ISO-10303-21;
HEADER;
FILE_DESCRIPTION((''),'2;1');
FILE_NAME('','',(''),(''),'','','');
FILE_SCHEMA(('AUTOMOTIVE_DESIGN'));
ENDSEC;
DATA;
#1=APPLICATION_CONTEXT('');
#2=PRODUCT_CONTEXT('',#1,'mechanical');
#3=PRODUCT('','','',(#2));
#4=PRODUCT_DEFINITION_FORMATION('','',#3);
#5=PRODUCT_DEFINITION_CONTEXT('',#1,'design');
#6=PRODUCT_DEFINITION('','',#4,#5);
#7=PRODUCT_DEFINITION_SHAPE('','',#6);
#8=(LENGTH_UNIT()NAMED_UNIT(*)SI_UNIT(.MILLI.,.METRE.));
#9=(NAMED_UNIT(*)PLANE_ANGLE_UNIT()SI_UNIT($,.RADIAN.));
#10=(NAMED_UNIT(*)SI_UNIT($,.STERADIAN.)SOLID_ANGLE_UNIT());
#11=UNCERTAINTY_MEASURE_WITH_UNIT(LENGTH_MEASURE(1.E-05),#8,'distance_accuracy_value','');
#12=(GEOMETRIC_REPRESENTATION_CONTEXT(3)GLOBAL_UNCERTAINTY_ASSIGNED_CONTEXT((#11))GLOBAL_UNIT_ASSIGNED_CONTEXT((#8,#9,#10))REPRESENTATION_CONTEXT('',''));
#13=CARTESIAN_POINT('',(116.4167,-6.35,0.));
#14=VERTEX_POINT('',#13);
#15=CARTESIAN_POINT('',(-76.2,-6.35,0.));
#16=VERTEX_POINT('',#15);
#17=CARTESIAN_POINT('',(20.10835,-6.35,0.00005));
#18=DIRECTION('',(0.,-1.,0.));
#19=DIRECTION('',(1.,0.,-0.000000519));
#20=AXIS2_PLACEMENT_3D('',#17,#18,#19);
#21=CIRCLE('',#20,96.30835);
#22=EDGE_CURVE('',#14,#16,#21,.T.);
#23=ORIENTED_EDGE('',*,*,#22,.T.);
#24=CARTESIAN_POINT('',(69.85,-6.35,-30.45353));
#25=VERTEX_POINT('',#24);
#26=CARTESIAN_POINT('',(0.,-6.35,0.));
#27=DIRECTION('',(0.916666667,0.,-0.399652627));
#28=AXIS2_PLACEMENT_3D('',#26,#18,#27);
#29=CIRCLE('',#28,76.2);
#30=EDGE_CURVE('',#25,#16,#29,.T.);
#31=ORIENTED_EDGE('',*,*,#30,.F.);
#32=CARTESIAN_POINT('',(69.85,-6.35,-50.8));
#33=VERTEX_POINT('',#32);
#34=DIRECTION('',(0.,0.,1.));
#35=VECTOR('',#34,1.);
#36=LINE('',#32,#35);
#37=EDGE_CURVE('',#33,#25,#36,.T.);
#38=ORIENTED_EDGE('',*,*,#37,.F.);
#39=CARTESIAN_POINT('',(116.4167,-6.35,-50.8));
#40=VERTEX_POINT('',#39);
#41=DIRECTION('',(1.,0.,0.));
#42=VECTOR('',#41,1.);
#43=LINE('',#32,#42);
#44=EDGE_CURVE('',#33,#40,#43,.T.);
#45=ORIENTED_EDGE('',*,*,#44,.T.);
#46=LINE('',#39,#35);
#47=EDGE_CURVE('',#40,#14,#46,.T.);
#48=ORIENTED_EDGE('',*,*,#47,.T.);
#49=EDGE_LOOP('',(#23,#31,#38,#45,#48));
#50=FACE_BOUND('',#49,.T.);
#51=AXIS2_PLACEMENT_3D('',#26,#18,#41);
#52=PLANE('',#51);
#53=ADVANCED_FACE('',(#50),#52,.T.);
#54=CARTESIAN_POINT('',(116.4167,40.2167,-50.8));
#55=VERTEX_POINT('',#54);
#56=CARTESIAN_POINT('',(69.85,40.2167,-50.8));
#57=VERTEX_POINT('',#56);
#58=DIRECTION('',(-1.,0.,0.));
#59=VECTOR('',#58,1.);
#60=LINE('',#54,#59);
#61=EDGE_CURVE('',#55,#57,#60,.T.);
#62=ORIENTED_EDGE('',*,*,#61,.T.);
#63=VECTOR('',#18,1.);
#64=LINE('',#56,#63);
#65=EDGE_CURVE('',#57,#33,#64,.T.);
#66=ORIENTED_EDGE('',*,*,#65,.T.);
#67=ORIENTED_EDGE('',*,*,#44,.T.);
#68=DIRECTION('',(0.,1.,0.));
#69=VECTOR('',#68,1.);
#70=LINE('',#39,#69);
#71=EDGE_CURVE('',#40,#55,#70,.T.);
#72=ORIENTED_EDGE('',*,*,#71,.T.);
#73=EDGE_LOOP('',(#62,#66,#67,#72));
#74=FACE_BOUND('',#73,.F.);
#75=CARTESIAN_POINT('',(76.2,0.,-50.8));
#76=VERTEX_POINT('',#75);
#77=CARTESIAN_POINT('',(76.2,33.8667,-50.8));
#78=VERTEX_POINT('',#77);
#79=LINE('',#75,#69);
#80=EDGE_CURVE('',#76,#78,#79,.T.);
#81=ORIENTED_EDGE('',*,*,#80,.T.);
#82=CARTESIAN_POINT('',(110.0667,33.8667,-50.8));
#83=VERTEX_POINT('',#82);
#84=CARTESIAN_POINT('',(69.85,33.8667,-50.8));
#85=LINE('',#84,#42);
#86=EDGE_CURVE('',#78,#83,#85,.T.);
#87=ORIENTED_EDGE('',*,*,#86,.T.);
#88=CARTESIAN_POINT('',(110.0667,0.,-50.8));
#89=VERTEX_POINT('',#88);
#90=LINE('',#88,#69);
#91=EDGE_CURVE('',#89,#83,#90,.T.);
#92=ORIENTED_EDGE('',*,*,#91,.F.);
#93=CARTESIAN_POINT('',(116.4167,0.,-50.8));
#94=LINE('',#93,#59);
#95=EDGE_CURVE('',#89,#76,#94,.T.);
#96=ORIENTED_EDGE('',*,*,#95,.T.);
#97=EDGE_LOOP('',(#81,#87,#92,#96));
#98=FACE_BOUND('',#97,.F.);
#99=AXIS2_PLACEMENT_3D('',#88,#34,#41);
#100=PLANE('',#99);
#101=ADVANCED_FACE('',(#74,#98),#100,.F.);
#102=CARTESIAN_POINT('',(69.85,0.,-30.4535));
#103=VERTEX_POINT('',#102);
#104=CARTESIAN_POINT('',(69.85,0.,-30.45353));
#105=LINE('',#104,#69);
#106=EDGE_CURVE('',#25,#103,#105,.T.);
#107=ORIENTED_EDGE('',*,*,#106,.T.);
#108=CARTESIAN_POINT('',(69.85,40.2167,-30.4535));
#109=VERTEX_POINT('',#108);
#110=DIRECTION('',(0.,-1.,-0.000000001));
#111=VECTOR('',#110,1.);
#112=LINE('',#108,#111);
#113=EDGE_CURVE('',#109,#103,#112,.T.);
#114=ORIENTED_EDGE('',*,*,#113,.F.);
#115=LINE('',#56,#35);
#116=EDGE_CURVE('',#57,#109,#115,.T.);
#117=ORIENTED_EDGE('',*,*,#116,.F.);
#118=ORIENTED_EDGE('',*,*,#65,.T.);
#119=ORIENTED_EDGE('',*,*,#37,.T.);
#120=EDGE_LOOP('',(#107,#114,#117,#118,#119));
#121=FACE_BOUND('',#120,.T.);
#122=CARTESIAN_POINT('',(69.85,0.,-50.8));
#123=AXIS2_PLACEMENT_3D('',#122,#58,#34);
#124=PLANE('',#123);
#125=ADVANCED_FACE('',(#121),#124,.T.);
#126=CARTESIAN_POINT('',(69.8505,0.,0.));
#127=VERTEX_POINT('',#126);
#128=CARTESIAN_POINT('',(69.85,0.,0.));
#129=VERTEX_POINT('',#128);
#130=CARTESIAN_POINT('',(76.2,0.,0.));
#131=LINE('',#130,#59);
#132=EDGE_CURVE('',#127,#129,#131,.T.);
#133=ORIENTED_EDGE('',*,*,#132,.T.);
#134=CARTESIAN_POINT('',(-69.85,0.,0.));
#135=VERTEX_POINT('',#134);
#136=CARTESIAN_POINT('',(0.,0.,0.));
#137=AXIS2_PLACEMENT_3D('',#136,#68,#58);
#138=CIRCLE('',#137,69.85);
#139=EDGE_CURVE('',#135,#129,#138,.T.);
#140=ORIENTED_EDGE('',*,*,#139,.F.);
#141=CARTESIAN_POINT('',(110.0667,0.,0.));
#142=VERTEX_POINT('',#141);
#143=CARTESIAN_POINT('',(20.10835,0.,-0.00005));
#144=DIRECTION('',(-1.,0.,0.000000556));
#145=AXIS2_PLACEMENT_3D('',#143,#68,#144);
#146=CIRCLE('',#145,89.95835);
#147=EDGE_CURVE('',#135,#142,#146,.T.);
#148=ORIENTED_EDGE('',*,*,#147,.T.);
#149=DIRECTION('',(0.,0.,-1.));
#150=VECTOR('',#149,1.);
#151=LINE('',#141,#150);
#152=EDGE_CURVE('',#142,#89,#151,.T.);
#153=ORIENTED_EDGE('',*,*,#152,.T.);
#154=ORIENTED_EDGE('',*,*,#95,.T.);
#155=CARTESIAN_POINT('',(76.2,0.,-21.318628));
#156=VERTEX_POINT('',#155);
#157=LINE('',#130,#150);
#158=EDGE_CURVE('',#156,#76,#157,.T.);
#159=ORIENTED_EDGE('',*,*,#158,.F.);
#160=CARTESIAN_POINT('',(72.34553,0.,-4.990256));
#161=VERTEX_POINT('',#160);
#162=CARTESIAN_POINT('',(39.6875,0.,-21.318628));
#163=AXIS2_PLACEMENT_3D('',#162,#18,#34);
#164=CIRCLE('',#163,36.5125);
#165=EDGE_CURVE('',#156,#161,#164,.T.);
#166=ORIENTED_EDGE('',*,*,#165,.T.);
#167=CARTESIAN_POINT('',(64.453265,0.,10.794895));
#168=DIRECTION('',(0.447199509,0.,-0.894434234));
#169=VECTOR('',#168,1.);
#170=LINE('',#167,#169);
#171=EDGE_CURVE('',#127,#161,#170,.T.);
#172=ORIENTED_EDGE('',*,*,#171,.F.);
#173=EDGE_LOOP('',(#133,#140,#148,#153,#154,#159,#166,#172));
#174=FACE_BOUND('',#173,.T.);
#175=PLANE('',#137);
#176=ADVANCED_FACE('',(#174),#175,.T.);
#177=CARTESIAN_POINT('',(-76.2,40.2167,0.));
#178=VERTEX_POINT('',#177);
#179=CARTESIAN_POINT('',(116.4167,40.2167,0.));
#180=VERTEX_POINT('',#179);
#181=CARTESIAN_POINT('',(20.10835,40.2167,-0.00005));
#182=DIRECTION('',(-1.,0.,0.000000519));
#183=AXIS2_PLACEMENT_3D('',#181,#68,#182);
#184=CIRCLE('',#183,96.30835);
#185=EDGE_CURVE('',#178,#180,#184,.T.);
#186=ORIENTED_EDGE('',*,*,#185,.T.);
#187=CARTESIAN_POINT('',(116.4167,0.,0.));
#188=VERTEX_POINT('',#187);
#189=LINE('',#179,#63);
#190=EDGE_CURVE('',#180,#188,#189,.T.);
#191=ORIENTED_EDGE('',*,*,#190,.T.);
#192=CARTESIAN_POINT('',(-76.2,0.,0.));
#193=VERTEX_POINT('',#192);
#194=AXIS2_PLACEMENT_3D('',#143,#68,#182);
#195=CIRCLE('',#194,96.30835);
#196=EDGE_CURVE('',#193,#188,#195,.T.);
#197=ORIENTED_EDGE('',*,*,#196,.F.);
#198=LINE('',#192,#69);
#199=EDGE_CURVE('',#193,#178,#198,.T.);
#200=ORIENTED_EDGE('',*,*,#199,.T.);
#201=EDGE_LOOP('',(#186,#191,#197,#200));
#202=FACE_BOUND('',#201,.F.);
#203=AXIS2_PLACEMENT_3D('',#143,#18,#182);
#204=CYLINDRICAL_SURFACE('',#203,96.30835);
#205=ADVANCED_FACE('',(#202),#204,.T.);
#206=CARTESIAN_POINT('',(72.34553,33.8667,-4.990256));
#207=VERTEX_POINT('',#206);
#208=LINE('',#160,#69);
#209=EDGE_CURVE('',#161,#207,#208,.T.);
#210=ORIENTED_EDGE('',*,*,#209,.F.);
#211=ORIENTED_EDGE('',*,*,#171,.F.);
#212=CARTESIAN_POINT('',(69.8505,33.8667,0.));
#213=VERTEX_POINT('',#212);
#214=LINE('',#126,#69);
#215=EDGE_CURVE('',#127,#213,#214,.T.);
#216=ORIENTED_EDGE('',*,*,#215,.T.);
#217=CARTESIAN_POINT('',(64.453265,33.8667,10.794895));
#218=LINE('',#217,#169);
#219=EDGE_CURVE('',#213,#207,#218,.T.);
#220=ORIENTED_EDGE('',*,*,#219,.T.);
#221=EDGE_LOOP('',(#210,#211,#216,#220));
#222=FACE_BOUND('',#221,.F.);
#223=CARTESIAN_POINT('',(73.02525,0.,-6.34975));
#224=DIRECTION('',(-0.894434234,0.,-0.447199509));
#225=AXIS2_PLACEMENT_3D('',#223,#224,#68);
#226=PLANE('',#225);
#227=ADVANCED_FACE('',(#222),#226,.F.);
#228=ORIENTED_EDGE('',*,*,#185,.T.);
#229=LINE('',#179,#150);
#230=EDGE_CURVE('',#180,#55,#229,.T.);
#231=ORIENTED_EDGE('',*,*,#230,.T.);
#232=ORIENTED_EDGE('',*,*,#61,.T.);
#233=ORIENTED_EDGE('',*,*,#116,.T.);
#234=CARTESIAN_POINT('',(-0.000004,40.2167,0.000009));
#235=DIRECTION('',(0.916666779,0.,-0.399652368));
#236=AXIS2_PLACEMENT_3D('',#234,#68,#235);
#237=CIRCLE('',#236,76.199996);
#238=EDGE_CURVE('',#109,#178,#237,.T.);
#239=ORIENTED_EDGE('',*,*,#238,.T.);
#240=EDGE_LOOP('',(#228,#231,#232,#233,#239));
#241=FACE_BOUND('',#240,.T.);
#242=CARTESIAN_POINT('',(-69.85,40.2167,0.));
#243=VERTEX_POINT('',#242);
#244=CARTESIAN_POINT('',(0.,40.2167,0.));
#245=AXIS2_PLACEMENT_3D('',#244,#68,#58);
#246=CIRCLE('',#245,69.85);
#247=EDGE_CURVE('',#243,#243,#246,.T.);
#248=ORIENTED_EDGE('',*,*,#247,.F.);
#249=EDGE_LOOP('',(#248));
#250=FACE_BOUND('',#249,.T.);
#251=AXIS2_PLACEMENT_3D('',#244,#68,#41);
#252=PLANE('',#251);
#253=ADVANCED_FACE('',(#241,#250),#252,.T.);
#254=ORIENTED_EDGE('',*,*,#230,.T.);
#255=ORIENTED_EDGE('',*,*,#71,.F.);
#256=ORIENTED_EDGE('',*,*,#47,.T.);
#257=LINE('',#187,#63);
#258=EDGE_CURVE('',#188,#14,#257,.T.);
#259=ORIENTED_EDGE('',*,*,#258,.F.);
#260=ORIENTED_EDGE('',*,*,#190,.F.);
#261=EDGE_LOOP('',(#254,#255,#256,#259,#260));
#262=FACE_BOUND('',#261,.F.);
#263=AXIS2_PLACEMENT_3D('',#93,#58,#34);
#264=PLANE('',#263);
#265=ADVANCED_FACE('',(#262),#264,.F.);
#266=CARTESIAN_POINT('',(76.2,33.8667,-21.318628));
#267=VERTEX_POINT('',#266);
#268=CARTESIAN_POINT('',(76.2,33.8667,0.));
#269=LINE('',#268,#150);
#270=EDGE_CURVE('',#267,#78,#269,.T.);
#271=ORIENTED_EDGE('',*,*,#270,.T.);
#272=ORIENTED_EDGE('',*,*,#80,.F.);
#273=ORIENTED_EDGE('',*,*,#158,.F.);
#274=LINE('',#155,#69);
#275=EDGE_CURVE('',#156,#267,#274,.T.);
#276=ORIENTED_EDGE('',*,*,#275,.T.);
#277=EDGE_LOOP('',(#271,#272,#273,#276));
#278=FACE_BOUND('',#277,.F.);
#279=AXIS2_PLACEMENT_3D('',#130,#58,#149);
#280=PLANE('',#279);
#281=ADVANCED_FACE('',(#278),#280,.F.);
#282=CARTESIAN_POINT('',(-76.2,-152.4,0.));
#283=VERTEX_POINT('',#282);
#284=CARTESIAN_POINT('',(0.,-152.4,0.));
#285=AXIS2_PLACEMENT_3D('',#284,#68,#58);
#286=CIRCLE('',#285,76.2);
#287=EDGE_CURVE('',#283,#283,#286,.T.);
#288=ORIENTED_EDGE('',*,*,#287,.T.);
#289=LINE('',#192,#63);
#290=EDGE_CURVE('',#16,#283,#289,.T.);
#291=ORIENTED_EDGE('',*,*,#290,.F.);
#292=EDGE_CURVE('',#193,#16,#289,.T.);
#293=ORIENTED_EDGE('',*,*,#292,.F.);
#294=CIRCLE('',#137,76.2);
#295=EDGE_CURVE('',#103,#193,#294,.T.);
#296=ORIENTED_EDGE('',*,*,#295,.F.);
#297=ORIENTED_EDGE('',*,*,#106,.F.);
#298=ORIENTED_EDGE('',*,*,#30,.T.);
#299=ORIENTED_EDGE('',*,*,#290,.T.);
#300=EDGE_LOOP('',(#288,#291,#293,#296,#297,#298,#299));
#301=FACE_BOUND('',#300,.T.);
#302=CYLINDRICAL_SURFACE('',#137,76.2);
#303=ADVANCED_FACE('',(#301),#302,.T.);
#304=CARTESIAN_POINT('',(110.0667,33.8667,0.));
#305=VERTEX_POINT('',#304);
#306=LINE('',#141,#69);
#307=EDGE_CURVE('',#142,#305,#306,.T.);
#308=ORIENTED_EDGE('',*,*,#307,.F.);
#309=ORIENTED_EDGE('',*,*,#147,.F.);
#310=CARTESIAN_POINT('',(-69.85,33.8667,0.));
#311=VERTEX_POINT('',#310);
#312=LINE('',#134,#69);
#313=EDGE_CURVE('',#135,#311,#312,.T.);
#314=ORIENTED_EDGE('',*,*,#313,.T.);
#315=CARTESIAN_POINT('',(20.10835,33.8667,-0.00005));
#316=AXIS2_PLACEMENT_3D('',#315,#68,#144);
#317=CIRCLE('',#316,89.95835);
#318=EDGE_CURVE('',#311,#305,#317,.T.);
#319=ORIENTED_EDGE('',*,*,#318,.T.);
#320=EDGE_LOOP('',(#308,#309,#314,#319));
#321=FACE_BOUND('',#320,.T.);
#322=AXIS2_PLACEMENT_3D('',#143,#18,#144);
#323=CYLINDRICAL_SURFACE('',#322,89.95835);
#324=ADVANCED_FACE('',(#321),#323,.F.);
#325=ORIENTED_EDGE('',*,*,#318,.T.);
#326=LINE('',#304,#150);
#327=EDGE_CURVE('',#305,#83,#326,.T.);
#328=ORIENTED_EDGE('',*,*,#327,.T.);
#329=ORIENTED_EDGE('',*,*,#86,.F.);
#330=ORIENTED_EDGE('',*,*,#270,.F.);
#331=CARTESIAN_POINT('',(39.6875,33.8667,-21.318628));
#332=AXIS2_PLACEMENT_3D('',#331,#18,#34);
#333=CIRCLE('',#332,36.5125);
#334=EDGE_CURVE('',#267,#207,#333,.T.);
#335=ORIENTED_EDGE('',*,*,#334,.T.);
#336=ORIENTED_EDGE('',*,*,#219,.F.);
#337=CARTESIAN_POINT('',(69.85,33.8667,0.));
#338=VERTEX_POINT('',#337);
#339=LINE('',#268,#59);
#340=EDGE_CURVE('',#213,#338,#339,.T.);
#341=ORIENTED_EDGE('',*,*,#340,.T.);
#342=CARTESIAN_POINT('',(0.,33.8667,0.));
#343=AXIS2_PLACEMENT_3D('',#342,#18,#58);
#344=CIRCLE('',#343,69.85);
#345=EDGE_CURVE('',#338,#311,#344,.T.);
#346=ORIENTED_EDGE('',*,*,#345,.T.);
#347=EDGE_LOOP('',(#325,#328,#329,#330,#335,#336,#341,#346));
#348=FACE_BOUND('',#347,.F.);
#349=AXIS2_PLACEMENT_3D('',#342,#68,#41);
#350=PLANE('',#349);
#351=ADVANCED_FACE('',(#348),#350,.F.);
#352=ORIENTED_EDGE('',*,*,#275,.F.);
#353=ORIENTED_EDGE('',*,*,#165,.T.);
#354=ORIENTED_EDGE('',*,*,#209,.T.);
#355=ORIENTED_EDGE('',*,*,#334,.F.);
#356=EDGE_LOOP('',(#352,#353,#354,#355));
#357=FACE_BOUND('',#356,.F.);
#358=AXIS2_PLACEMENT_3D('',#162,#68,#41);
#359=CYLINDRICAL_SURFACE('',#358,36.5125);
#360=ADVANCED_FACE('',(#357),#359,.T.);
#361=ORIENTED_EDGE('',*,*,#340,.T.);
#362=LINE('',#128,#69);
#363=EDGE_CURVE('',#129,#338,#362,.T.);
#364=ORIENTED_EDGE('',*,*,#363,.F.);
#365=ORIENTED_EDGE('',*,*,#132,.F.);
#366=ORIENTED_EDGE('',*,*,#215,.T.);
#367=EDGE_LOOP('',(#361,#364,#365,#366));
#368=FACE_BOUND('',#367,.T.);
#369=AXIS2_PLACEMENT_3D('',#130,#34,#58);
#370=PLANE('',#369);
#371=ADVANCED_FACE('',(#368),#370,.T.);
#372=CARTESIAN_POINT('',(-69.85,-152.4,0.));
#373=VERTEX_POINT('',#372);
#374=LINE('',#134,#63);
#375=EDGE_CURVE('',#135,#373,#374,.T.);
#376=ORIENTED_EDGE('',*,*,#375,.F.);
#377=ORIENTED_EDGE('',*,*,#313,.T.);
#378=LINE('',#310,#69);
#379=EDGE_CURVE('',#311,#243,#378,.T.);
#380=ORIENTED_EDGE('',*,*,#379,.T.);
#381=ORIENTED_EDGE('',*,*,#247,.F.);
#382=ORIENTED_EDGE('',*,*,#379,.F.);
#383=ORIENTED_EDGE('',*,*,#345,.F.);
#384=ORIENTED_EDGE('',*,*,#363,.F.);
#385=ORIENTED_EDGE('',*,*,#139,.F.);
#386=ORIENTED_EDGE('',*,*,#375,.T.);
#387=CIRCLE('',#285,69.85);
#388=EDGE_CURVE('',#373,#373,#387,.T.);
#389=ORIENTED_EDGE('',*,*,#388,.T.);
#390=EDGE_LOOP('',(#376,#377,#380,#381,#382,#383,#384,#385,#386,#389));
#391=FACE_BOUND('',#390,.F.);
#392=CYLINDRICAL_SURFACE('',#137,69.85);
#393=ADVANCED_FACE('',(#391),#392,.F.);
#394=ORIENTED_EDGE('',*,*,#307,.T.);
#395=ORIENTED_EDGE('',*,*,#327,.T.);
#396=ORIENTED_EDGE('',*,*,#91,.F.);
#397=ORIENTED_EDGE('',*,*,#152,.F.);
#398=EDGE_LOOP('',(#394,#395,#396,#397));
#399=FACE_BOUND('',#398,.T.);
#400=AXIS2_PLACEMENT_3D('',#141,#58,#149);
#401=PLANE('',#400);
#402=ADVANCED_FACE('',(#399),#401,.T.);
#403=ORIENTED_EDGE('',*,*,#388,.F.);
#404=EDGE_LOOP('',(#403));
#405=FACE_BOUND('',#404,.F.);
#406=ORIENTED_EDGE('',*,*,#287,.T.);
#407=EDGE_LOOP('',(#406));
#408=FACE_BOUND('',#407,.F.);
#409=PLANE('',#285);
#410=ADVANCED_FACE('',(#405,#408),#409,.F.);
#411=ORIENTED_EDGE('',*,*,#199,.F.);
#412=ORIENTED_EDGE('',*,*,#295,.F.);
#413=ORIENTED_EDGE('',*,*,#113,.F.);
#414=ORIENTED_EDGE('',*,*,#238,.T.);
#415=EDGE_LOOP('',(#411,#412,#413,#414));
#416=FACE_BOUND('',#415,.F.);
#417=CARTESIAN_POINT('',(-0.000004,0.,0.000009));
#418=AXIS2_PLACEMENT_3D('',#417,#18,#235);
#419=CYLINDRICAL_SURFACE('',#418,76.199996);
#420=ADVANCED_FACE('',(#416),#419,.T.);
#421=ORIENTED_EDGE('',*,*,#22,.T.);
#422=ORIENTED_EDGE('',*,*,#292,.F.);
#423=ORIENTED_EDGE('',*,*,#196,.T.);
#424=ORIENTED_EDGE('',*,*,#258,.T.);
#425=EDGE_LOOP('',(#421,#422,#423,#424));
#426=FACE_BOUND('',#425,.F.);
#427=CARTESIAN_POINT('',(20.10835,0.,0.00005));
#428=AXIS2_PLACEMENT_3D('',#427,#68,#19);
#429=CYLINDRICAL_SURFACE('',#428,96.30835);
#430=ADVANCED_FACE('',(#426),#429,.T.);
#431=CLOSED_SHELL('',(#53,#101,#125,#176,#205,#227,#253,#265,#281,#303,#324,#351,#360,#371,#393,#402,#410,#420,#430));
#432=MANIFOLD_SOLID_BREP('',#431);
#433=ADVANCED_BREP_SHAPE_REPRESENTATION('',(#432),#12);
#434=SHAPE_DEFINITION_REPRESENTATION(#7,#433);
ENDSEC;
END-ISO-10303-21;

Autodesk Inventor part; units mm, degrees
ref_plane "YZ Plane" through (0, 0, 0) normal (1, 0, 0) x (0, 1, 0)
ref_plane "XZ Plane" through (0, 0, 0) normal (0, 1, 0) x (-1, 0, 0)
ref_plane "XY Plane" through (0, 0, 0) normal (0, 0, 1) x (1, 0, 0)
sketch "Sketch1" plane through (0, 0, 0) normal (0, 1, 0) x (-1, 0, 0)
  circle A0 centre (0, 0) radius 76.2
  circle A1 centre (0, 0) radius 69.85
  dimension "d1" = 152.4
  dimension "d6" = 6.35
extrude "Extrusion1" add sketch "Sketch1" against normal blind 152.4
sketch "Sketch18" plane through (0, 0, 0) normal (0, 1, 0) x (1, 0, 0)
  circle A0 centre (0, 0) radius 69.85 construction
  circle A1 centre (0, 0) radius 76.2 construction
  line L0 (110.0667, 0) -> (110.0667, 50.8)
  line L1 (110.0667, 50.8) -> (116.4167, 50.8)
  line L2 (116.4167, 50.8) -> (116.4167, 0)
  arc A2 (-76.2, 0) -> (116.4167, 0) centre (20.1083, 0) ccw
  arc A3 (-69.85, 0) -> (110.0667, 0) centre (20.1083, 0) ccw
  circle A4 centre (0, 0) radius 76.2 construction
  circle A5 centre (0, 0) radius 69.85 construction
  arc A6 (69.85, 30.4535) -> (-76.2, 0) centre (0, 0) ccw
  arc A7 (69.85, 0) -> (-69.85, 0) centre (0, 0) ccw
  line L3 (76.2, 0) -> (76.2, 50.8)
  line L4 (76.2, 50.8) -> (69.85, 50.8)
  line L5 (69.85, 50.8) -> (69.85, 30.4535)
  line L6 (69.85, 0) -> (0, 0) construction
  line L7 (76.2, 0) -> (69.85, 0)
  dimension "d79" = 6.35
  dimension "d80" = 50.8
  dimension "d86" = 33.8667
  dimension "d88" = 6.35
extrude "Extrusion14" add sketch "Sketch18" along normal blind 33.8667
sketch "Sketch19" plane through (0, 0, 0) normal (0, -1, 0) x (1, 0, 0)
  arc A0 (-46.7895, 60.143) -> (-76.2, 0) centre (0, 0) ccw projected
  arc A1 (110.0667, 0) -> (-46.7895, 60.143) centre (20.1083, 0) ccw projected
  line L0 (110.0667, 0) -> (110.0667, -50.8) projected
  line L1 (110.0667, -50.8) -> (116.4167, -50.8) projected
  line L2 (116.4167, -50.8) -> (116.4167, 0) projected
  arc A2 (116.4167, 0) -> (-76.2, 0) centre (20.1083, 0) ccw projected
  line L3 (69.85, -50.8) -> (69.85, -30.4535) projected
  arc A3 (69.85, -30.4535) -> (76.2, 0) centre (0, 0) ccw projected
  line L4 (69.85, -30.4535) -> (69.85, -50.8) projected
  line L5 (69.85, -50.8) -> (76.2, -50.8) projected
  line L6 (76.2, -50.8) -> (76.2, 0) projected
  line L7 (110.0667, -50.8) -> (76.2, -50.8)
  arc A4 (76.2, 0) -> (-46.7895, 60.143) centre (0, 0) ccw projected
extrude "Extrusion15" add sketch "Sketch19" along normal blind 6.35
sketch "Sketch21" plane through (0, 33.8667, 0) normal (0, 1, 0) x (1, 0, 0)
  arc A0 (-69.85, 0) -> (110.0667, 0) centre (20.1083, 0) ccw projected
  arc A1 (69.85, 0) -> (-69.85, 0) centre (0, 0) ccw projected
  line L0 (69.85, 0) -> (76.2, 0) projected
  line L1 (76.2, 0) -> (76.2, 50.8) projected
  line L2 (76.2, 50.8) -> (69.85, 50.8) projected
  line L3 (69.85, 50.8) -> (69.85, 30.4535) projected
  arc A2 (69.85, 30.4535) -> (-76.2, 0) centre (0, 0) ccw projected
  arc A3 (-76.2, 0) -> (116.4167, 0) centre (20.1083, 0) ccw projected
  line L4 (116.4167, 0) -> (116.4167, 50.8) projected
  line L5 (116.4167, 50.8) -> (110.0667, 50.8) projected
  line L6 (110.0667, 50.8) -> (110.0667, 0) projected
  arc A4 (-69.85, 0) -> (69.85, 0) centre (0, 0) ccw
  line L7 (110.0667, 50.8) -> (76.2, 50.8)
extrude "Extrusion17" add sketch "Sketch21" along normal blind 6.35 contours A4 L0 L1 L7 L6 A0 | A0 L6 L5 L4 A3 A2 L3 L2 L1 L0 A1
chamfer "Chamfer1" distance 6.35 distance2 12.7 1 edges at (76.2, 16.9333, 0) measured on face at (74.0833, 11.2889, 0)
fillet "Fillet1" radius 36.5125 1 edges at (76.2, 16.9333, -12.6995)
properties part number "Main Cyclone"
